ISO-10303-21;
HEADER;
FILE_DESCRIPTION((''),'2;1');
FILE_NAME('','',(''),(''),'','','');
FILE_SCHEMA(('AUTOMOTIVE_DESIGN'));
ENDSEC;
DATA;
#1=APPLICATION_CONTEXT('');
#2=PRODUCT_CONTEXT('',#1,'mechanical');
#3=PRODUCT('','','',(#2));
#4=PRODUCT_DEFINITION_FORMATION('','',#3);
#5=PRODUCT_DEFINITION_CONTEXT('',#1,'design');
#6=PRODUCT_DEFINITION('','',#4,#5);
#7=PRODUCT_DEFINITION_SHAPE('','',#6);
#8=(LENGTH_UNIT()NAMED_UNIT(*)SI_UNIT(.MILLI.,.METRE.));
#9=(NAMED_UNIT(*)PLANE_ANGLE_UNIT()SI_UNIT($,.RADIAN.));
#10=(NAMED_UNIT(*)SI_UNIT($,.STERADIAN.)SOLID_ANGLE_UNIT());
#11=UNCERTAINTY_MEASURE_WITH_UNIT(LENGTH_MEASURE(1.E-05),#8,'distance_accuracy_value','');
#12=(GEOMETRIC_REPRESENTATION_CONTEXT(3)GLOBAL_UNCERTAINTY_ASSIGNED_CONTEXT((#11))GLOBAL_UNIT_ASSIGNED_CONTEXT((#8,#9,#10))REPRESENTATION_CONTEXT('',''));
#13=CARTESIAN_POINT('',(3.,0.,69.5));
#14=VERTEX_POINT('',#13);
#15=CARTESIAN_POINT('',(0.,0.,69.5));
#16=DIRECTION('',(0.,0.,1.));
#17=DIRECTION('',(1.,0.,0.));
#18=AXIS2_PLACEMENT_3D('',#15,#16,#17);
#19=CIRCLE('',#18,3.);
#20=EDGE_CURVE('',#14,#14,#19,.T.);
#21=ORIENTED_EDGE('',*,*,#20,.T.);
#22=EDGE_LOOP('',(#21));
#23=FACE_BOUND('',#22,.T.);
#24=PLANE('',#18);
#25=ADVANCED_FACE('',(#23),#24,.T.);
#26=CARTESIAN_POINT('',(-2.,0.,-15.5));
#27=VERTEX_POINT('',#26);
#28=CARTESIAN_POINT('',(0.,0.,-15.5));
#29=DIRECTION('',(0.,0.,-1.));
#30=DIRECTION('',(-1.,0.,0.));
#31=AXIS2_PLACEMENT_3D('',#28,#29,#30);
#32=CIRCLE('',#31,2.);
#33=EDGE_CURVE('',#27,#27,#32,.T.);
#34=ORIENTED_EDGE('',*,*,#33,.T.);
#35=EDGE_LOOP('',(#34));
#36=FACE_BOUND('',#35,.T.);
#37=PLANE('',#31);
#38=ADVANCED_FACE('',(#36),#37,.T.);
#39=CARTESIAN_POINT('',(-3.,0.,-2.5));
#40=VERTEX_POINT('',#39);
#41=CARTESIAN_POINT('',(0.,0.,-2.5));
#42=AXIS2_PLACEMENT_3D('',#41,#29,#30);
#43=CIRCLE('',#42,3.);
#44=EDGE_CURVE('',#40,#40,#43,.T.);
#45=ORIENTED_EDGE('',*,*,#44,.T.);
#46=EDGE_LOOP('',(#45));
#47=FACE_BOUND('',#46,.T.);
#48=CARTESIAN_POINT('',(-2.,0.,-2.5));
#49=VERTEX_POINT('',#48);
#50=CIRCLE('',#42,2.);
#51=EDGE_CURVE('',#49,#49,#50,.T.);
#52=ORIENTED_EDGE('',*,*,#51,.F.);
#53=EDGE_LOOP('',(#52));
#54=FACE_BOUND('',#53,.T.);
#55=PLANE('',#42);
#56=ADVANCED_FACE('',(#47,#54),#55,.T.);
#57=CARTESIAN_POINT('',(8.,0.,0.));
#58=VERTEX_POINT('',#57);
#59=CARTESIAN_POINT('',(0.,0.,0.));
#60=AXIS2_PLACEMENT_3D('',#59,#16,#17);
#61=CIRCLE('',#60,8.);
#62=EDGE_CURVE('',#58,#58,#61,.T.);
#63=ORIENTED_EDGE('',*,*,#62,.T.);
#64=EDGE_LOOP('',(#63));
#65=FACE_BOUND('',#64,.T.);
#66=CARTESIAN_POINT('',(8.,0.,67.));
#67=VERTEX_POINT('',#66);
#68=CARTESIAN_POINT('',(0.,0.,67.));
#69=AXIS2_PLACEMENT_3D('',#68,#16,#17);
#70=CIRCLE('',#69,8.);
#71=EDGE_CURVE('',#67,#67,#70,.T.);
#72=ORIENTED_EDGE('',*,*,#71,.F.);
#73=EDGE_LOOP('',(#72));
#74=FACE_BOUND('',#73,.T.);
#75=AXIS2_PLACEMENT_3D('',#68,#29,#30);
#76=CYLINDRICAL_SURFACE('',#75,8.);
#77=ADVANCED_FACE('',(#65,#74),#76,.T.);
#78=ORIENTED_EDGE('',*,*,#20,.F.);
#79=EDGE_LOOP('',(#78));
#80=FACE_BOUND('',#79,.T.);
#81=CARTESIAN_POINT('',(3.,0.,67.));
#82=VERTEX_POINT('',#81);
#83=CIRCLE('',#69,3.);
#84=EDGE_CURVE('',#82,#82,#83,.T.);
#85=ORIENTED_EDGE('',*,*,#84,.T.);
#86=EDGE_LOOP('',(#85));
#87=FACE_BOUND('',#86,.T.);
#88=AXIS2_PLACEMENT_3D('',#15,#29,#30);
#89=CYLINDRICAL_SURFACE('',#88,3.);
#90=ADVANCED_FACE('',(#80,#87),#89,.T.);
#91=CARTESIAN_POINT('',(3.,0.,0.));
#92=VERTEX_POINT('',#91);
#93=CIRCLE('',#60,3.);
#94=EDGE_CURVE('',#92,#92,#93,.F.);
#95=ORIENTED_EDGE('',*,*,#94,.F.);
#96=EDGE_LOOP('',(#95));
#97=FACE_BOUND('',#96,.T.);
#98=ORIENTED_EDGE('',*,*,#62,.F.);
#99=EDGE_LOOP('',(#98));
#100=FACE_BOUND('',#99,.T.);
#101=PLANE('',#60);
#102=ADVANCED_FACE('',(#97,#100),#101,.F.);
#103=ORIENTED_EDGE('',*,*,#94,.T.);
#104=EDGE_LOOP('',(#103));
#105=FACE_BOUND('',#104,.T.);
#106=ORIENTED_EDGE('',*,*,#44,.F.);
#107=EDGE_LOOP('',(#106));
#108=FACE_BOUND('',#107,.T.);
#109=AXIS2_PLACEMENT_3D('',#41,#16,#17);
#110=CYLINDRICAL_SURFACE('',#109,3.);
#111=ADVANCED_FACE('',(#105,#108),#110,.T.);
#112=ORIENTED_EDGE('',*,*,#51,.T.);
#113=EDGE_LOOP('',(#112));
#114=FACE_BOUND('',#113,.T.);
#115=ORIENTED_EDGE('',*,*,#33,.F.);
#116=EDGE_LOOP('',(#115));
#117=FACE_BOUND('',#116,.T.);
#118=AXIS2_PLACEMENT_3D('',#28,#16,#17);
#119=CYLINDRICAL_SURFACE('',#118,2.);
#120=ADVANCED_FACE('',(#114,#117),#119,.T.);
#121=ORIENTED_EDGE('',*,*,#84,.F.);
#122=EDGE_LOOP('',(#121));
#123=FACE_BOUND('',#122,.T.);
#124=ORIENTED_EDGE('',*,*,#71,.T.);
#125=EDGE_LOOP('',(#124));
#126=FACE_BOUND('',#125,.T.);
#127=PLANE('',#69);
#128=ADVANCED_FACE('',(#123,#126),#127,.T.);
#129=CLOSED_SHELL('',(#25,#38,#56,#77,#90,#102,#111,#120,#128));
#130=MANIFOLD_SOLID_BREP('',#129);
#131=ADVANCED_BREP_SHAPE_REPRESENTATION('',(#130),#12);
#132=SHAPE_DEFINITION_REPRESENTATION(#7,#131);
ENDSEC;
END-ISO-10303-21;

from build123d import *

# Parameters (mm, degrees)
SKETCH1_R           = 8
BOSS_EXTRUDE1_DEPTH = 67
SKETCH2_R           = 3
BOSS_EXTRUDE2_DEPTH = 2.5
SKETCH3_R           = 3
BOSS_EXTRUDE3_DEPTH = 2.5
SKETCH4_R           = 2
BOSS_EXTRUDE4_DEPTH = 13


with BuildPart() as part:
    # Sketch1 → Boss-Extrude1 (new body)
    with BuildSketch(Plane.XY):
        Circle(SKETCH1_R)
    extrude(amount=BOSS_EXTRUDE1_DEPTH)

    # Sketch2 → Boss-Extrude2 (add)
    with BuildSketch(Plane.XY.offset(67)):
        Circle(SKETCH2_R)
    extrude(amount=BOSS_EXTRUDE2_DEPTH)

    # Sketch3 → Boss-Extrude3 (add)
    with BuildSketch(Plane(origin=(0, 0, 0), x_dir=(-1, 0, 0), z_dir=(0, 0, -1))):
        Circle(SKETCH3_R)
    extrude(amount=BOSS_EXTRUDE3_DEPTH)

    # Sketch4 → Boss-Extrude4 (add)
    with BuildSketch(Plane(origin=(0, 0, -2.5), x_dir=(-1, 0, 0), z_dir=(0, 0, -1))):
        Circle(SKETCH4_R)
    extrude(amount=BOSS_EXTRUDE4_DEPTH)


solid = part.part
